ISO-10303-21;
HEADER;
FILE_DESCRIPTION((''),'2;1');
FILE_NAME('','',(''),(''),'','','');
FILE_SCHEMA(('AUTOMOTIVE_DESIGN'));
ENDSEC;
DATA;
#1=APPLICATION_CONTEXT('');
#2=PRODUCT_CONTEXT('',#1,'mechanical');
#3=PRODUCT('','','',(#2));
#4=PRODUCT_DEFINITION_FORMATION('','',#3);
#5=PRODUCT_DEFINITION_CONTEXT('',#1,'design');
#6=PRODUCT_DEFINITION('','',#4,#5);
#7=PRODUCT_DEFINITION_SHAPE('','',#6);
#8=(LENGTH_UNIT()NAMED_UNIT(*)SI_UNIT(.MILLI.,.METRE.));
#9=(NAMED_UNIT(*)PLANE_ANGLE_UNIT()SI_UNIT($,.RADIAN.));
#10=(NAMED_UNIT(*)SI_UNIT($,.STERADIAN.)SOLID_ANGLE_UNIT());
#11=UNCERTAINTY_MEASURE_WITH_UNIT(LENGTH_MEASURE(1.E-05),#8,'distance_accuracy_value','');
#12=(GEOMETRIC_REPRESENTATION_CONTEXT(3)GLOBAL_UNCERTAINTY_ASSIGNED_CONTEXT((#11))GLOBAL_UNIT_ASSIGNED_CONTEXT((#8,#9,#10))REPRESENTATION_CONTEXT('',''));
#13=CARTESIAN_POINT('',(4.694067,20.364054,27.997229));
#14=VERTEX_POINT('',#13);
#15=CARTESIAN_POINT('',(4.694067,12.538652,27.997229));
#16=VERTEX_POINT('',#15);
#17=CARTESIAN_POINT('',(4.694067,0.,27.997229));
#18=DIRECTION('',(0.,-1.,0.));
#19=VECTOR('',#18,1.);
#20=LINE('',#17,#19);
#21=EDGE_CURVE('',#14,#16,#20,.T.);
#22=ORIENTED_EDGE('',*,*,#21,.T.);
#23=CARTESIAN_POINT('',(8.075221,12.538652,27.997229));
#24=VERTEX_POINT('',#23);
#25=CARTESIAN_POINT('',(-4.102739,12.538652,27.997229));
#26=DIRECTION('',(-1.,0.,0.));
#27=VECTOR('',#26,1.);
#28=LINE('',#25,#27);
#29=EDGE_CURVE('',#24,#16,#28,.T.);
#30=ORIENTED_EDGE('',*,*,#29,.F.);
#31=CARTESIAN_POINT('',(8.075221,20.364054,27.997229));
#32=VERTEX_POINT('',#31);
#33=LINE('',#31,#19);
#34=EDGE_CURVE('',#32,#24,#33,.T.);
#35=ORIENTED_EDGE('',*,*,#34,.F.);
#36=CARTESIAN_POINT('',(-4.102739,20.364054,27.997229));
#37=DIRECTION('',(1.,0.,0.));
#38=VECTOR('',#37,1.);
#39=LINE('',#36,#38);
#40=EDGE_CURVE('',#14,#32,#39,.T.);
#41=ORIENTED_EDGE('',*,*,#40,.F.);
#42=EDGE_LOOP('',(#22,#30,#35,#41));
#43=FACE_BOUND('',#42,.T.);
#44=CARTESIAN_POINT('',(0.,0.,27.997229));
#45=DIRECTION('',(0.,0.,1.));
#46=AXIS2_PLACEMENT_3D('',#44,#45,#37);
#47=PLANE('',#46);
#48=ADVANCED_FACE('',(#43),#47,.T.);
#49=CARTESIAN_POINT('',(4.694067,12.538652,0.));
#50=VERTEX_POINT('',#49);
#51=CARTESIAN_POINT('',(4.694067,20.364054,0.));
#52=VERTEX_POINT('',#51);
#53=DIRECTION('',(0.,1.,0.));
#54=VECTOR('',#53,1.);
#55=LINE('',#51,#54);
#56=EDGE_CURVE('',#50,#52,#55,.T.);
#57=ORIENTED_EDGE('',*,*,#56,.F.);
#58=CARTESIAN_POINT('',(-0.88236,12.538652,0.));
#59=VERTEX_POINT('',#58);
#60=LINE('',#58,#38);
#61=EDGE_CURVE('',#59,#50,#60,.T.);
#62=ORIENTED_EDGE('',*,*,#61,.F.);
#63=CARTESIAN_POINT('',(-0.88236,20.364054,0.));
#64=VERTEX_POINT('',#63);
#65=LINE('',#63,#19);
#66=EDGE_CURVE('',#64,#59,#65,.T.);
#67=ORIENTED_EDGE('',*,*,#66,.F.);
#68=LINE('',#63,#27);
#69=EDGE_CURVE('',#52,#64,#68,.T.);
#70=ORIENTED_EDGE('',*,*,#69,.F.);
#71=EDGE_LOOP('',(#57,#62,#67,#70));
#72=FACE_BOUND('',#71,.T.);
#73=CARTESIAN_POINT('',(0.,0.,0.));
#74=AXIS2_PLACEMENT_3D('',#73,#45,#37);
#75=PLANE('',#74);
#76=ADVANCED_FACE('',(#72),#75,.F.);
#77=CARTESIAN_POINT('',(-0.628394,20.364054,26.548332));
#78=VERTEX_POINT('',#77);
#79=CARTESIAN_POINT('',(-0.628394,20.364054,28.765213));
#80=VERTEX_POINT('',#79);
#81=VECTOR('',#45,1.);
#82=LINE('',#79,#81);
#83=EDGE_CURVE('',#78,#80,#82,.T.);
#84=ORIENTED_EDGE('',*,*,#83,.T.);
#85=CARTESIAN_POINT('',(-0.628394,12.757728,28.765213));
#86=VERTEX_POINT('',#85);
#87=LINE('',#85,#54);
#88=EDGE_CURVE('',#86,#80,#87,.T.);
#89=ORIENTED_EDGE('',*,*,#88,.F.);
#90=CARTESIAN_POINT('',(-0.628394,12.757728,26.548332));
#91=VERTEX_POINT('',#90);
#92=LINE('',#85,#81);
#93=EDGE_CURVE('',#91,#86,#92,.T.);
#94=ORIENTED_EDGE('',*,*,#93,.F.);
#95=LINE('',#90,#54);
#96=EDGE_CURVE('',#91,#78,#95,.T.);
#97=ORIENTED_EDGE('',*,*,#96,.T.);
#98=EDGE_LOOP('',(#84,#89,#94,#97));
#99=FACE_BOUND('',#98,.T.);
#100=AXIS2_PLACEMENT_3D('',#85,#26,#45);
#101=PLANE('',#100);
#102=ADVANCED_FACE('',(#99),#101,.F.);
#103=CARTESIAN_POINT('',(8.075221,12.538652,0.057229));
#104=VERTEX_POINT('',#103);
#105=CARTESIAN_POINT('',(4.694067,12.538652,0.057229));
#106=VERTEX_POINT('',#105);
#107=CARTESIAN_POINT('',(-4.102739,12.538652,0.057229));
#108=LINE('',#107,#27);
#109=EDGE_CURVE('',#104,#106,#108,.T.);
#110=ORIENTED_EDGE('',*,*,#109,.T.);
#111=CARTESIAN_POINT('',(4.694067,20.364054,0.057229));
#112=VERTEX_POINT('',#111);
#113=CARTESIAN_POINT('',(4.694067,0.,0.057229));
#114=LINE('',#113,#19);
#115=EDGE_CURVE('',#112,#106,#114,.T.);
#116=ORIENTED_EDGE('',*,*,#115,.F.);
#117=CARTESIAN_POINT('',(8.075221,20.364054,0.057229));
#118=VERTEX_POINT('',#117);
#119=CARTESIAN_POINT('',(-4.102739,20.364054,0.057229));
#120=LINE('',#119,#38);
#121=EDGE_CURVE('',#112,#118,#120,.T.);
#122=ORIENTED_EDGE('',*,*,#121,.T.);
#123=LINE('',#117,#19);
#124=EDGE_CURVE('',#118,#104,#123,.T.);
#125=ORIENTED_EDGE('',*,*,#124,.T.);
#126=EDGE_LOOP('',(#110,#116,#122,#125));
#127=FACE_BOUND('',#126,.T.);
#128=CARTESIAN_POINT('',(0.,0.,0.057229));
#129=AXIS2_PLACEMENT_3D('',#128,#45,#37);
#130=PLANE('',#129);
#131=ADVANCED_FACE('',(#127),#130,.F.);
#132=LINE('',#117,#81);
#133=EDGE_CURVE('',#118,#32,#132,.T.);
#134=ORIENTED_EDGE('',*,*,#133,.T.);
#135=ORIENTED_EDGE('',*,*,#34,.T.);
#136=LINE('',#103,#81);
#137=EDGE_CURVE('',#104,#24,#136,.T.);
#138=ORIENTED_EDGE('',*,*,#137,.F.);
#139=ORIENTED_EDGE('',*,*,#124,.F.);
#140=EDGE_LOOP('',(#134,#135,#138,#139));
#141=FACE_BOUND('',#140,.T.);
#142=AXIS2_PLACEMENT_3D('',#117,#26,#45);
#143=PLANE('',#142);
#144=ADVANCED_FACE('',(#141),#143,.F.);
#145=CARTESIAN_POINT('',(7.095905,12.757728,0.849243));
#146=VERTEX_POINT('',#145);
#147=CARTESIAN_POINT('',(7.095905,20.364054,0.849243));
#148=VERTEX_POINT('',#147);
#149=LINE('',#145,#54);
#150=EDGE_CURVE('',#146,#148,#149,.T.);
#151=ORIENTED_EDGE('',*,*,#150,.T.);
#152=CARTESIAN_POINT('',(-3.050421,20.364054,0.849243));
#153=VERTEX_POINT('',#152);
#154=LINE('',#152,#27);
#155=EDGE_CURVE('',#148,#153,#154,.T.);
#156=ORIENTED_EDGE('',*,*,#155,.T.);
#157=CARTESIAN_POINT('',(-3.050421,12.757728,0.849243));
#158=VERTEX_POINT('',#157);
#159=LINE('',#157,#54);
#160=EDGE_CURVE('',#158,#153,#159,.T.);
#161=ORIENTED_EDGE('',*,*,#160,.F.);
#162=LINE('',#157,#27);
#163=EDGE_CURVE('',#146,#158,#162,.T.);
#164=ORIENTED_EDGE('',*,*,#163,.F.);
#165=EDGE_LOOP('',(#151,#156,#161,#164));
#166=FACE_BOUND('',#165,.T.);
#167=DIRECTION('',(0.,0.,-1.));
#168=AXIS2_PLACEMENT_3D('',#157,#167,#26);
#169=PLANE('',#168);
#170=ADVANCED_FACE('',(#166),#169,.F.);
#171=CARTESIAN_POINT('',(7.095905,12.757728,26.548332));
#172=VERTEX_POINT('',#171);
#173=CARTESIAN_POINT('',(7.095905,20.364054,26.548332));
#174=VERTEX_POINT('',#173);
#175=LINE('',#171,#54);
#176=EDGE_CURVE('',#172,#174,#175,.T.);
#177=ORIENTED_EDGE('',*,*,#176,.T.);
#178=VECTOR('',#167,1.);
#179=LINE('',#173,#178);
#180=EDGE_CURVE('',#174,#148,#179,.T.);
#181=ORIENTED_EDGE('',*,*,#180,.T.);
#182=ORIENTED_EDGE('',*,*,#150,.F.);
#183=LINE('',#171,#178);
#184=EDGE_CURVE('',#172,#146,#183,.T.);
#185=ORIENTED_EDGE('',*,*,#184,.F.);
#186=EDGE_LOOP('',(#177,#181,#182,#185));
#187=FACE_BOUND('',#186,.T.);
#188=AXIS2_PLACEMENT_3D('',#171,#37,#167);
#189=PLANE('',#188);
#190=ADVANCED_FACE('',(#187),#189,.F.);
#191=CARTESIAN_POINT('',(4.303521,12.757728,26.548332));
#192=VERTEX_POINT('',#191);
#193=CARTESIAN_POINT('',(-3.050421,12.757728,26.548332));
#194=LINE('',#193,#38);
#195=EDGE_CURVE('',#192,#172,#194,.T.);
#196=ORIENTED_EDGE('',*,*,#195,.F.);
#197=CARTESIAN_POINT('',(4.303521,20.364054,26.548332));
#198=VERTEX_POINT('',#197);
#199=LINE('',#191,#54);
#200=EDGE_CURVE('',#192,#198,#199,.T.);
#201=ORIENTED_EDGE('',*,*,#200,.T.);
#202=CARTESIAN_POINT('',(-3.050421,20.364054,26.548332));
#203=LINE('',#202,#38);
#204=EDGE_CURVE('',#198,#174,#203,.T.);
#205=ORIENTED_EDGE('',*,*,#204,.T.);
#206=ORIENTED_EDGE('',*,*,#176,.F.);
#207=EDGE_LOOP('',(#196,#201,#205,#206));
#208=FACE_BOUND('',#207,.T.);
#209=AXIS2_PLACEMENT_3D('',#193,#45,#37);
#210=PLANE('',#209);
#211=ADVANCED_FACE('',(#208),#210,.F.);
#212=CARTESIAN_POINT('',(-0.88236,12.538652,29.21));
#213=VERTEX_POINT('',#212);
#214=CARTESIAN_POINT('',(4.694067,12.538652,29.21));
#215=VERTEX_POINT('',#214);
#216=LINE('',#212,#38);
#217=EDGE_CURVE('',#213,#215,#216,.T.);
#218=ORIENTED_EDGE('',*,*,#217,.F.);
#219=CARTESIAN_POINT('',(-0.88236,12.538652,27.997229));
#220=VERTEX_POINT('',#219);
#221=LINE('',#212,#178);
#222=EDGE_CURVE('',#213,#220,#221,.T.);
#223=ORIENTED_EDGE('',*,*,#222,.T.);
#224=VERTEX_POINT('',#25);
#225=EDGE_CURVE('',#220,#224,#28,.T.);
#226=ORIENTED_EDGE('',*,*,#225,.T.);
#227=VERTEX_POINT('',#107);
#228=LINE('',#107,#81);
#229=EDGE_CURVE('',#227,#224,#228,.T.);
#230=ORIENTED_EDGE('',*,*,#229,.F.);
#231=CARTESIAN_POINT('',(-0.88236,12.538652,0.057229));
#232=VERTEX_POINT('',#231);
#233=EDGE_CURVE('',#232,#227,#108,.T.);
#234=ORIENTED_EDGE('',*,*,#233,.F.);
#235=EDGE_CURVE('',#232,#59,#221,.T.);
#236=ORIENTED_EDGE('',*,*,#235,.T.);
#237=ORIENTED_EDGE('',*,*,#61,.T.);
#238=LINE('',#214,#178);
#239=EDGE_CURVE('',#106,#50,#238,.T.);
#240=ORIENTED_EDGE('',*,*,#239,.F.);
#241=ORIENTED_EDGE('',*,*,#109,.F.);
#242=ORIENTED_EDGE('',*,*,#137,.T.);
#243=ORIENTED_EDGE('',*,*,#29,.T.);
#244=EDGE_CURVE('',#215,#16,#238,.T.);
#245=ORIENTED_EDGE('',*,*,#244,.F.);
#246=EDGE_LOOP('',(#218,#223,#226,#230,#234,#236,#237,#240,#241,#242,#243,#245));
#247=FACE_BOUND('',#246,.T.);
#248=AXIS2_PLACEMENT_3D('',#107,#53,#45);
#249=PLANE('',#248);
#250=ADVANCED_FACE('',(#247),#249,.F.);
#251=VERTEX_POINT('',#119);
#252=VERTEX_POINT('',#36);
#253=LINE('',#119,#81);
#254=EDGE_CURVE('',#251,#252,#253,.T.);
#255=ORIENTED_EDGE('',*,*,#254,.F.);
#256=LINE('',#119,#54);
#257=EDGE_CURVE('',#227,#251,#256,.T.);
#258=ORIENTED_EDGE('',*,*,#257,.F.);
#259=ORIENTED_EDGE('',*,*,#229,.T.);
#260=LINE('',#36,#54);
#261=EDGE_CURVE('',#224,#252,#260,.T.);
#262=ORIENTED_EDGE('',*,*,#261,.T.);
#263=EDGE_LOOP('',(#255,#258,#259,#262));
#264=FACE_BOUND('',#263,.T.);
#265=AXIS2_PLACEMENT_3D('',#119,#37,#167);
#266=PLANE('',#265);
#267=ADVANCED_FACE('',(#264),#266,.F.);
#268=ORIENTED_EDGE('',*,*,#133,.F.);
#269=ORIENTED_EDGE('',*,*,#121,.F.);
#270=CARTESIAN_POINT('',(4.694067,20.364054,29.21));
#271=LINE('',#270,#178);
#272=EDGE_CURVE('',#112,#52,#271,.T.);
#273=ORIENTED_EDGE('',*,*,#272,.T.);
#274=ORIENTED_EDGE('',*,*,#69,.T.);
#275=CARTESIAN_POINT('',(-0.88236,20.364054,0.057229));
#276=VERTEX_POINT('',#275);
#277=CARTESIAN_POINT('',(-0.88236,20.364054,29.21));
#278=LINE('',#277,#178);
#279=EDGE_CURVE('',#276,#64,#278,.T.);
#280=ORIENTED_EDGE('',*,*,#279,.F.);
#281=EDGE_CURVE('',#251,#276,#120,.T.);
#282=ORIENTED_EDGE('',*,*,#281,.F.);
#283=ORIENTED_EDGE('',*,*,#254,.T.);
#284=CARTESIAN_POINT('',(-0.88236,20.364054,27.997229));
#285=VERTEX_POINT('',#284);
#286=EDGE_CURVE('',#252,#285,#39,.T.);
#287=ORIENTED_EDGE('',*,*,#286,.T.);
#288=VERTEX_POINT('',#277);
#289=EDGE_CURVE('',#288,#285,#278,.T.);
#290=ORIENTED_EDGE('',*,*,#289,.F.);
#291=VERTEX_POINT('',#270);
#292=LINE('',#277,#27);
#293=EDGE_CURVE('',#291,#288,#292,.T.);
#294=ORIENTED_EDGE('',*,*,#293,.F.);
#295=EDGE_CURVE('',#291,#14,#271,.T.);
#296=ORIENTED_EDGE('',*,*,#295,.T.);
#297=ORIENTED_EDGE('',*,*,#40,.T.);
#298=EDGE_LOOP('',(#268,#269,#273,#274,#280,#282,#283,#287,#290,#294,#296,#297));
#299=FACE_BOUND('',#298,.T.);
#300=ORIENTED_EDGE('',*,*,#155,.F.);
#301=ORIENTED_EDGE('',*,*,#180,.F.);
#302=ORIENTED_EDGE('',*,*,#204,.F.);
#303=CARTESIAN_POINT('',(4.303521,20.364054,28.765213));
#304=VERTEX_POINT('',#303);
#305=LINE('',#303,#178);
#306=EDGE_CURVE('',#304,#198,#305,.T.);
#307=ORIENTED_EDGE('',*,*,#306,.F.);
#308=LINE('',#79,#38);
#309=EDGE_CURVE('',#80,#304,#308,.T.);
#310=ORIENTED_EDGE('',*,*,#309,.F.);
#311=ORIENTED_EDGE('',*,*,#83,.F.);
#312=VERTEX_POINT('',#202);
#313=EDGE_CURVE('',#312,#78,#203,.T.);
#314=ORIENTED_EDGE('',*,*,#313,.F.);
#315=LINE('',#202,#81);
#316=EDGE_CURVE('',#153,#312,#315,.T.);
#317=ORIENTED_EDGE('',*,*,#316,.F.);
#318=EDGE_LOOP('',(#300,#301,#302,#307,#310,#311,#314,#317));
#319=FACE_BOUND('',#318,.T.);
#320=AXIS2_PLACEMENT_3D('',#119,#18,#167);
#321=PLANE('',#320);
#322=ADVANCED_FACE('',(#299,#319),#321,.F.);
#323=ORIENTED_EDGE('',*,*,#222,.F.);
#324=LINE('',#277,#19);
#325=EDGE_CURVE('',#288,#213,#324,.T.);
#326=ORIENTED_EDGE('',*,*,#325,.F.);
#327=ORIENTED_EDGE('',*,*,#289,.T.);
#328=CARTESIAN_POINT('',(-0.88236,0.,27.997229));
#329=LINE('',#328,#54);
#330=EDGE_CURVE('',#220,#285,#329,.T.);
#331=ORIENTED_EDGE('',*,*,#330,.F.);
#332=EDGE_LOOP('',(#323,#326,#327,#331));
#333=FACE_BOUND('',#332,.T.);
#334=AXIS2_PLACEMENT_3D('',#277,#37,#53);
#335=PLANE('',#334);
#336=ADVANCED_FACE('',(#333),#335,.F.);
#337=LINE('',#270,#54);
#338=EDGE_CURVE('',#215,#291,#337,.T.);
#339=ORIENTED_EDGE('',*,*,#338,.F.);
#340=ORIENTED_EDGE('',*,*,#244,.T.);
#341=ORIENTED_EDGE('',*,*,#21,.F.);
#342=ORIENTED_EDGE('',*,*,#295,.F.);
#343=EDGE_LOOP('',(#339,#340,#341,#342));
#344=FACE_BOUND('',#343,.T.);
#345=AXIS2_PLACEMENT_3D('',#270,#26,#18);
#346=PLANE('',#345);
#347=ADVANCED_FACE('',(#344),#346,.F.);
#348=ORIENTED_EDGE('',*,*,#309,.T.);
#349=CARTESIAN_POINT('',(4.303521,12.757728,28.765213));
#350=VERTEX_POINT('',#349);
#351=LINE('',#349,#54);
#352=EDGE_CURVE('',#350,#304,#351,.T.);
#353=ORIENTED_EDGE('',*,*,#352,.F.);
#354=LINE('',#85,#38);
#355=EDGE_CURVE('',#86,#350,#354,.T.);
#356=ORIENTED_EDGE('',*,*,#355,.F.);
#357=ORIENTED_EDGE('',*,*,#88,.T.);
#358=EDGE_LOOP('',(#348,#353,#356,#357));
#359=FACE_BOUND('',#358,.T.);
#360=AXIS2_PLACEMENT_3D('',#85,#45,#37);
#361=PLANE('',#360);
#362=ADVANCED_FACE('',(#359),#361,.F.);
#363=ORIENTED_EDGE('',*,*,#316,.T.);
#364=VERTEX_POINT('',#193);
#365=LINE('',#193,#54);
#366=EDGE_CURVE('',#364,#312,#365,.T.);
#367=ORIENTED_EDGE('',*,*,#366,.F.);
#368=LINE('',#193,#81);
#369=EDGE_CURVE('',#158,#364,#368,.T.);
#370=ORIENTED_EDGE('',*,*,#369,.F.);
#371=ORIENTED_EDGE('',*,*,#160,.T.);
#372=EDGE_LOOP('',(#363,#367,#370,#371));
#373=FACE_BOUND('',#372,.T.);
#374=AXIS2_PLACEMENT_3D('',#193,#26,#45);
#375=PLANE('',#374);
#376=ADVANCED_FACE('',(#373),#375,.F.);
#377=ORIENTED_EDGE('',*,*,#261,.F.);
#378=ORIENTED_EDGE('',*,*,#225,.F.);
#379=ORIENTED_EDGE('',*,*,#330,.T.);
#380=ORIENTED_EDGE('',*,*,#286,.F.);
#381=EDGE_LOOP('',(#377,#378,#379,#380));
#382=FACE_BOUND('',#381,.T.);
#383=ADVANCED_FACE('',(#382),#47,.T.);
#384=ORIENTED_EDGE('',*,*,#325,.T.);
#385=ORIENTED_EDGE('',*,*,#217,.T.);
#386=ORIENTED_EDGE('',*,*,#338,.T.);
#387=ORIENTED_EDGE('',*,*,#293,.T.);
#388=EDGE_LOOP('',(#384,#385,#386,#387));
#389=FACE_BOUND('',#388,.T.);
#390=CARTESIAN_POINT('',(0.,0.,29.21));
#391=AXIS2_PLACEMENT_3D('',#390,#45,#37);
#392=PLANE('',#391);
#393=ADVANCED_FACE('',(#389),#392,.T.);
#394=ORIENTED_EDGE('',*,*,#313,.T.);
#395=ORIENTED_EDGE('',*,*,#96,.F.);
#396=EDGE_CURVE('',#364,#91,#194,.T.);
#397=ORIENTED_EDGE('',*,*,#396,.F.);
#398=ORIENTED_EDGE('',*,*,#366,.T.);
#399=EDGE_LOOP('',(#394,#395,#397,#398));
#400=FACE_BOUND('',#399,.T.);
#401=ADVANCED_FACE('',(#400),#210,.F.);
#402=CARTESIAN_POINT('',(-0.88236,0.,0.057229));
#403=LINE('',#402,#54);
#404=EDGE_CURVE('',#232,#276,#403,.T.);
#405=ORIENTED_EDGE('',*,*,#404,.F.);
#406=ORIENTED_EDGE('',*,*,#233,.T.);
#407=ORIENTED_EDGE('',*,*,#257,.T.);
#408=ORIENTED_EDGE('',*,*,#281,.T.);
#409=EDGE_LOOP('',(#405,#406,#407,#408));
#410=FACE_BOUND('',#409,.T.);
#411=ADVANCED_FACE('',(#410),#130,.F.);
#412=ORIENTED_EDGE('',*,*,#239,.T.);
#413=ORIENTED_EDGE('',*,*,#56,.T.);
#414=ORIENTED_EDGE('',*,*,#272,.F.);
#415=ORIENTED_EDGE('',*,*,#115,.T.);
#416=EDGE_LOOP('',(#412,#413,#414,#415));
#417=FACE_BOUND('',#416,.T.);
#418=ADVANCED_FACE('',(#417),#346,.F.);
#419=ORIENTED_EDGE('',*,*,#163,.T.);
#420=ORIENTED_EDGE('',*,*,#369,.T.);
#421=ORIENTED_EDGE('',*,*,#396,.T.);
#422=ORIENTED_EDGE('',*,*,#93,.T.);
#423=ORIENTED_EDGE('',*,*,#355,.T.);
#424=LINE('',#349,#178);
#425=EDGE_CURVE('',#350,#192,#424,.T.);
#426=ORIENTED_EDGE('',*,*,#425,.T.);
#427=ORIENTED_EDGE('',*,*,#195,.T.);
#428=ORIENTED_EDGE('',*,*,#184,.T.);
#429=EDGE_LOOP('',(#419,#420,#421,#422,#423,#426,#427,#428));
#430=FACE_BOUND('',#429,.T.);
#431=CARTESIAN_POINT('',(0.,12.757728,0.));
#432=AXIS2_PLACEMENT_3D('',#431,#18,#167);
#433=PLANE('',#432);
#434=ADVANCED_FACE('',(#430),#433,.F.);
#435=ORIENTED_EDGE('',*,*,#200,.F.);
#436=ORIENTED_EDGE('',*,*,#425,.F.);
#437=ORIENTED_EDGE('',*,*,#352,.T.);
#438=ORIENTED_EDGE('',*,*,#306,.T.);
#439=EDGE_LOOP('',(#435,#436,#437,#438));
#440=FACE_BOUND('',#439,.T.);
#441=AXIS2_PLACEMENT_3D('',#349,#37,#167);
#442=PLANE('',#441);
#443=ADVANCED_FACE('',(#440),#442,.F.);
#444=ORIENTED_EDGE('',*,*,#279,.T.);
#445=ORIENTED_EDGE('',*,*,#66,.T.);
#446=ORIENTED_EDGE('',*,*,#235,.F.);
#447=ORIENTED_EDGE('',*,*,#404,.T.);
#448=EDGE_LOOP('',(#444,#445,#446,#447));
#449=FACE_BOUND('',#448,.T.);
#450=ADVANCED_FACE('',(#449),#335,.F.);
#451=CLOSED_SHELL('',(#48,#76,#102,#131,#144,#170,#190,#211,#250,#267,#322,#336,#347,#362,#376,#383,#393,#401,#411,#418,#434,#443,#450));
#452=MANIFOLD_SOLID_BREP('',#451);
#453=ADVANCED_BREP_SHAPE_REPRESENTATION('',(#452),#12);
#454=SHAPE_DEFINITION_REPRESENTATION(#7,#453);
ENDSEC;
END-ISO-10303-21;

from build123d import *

# Parameters (mm, degrees)
BOSS_EXTRUDE1_DEPTH = 27.94
SKETCH2_W           = 5.576427518
SKETCH2_H           = 7.825401813
BOSS_EXTRUDE4_DEPTH = 29.21
SKETCH8_W           = 10.146325875
SKETCH8_H           = 25.699088163
CUT_EXTRUDE2_DEPTH  = 7.606325874
SKETCH10_W          = 4.931914879
SKETCH10_H          = 2.216881434
CUT_EXTRUDE3_DEPTH  = 7.606325874


with BuildPart() as part:
    # 3DSketch1 → Boss-Extrude1 (new body)
    with BuildSketch(Plane(origin=(-4.102739017, 20.36405405, 0.057228779), x_dir=(0.8412817346270438, -0.540596932087958, 0), z_dir=(0, 0, -1))):
        Polygon((0, 0), (4.230388213, 6.583367612), (14.475483209, 0), (10.245094996, -6.583367612), align=None)
    extrude(amount=-BOSS_EXTRUDE1_DEPTH)

    # Sketch2 → Boss-Extrude4 (add)
    with BuildSketch(Plane.XY):
        with Locations((1.905853526, 16.451353144)):
            Rectangle(SKETCH2_W, SKETCH2_H)
    extrude(amount=BOSS_EXTRUDE4_DEPTH)

    # Sketch8 → Cut-Extrude2 (cut)
    with BuildSketch(Plane(origin=(0, 20.36405405, 0), x_dir=(1, 0, 0), z_dir=(0, 1, 0))):
        with Locations((2.022741779, -13.698787424)):
            Rectangle(SKETCH8_W, SKETCH8_H)
    extrude(amount=-CUT_EXTRUDE2_DEPTH, mode=Mode.SUBTRACT)

    # Sketch10 → Cut-Extrude3 (cut)
    with BuildSketch(Plane(origin=(0, 20.36405405, 0), x_dir=(1, 0, 0), z_dir=(0, 1, 0))):
        with Locations((1.837563479, -27.656772222)):
            Rectangle(SKETCH10_W, SKETCH10_H)
    extrude(amount=-CUT_EXTRUDE3_DEPTH, mode=Mode.SUBTRACT)


solid = part.part
